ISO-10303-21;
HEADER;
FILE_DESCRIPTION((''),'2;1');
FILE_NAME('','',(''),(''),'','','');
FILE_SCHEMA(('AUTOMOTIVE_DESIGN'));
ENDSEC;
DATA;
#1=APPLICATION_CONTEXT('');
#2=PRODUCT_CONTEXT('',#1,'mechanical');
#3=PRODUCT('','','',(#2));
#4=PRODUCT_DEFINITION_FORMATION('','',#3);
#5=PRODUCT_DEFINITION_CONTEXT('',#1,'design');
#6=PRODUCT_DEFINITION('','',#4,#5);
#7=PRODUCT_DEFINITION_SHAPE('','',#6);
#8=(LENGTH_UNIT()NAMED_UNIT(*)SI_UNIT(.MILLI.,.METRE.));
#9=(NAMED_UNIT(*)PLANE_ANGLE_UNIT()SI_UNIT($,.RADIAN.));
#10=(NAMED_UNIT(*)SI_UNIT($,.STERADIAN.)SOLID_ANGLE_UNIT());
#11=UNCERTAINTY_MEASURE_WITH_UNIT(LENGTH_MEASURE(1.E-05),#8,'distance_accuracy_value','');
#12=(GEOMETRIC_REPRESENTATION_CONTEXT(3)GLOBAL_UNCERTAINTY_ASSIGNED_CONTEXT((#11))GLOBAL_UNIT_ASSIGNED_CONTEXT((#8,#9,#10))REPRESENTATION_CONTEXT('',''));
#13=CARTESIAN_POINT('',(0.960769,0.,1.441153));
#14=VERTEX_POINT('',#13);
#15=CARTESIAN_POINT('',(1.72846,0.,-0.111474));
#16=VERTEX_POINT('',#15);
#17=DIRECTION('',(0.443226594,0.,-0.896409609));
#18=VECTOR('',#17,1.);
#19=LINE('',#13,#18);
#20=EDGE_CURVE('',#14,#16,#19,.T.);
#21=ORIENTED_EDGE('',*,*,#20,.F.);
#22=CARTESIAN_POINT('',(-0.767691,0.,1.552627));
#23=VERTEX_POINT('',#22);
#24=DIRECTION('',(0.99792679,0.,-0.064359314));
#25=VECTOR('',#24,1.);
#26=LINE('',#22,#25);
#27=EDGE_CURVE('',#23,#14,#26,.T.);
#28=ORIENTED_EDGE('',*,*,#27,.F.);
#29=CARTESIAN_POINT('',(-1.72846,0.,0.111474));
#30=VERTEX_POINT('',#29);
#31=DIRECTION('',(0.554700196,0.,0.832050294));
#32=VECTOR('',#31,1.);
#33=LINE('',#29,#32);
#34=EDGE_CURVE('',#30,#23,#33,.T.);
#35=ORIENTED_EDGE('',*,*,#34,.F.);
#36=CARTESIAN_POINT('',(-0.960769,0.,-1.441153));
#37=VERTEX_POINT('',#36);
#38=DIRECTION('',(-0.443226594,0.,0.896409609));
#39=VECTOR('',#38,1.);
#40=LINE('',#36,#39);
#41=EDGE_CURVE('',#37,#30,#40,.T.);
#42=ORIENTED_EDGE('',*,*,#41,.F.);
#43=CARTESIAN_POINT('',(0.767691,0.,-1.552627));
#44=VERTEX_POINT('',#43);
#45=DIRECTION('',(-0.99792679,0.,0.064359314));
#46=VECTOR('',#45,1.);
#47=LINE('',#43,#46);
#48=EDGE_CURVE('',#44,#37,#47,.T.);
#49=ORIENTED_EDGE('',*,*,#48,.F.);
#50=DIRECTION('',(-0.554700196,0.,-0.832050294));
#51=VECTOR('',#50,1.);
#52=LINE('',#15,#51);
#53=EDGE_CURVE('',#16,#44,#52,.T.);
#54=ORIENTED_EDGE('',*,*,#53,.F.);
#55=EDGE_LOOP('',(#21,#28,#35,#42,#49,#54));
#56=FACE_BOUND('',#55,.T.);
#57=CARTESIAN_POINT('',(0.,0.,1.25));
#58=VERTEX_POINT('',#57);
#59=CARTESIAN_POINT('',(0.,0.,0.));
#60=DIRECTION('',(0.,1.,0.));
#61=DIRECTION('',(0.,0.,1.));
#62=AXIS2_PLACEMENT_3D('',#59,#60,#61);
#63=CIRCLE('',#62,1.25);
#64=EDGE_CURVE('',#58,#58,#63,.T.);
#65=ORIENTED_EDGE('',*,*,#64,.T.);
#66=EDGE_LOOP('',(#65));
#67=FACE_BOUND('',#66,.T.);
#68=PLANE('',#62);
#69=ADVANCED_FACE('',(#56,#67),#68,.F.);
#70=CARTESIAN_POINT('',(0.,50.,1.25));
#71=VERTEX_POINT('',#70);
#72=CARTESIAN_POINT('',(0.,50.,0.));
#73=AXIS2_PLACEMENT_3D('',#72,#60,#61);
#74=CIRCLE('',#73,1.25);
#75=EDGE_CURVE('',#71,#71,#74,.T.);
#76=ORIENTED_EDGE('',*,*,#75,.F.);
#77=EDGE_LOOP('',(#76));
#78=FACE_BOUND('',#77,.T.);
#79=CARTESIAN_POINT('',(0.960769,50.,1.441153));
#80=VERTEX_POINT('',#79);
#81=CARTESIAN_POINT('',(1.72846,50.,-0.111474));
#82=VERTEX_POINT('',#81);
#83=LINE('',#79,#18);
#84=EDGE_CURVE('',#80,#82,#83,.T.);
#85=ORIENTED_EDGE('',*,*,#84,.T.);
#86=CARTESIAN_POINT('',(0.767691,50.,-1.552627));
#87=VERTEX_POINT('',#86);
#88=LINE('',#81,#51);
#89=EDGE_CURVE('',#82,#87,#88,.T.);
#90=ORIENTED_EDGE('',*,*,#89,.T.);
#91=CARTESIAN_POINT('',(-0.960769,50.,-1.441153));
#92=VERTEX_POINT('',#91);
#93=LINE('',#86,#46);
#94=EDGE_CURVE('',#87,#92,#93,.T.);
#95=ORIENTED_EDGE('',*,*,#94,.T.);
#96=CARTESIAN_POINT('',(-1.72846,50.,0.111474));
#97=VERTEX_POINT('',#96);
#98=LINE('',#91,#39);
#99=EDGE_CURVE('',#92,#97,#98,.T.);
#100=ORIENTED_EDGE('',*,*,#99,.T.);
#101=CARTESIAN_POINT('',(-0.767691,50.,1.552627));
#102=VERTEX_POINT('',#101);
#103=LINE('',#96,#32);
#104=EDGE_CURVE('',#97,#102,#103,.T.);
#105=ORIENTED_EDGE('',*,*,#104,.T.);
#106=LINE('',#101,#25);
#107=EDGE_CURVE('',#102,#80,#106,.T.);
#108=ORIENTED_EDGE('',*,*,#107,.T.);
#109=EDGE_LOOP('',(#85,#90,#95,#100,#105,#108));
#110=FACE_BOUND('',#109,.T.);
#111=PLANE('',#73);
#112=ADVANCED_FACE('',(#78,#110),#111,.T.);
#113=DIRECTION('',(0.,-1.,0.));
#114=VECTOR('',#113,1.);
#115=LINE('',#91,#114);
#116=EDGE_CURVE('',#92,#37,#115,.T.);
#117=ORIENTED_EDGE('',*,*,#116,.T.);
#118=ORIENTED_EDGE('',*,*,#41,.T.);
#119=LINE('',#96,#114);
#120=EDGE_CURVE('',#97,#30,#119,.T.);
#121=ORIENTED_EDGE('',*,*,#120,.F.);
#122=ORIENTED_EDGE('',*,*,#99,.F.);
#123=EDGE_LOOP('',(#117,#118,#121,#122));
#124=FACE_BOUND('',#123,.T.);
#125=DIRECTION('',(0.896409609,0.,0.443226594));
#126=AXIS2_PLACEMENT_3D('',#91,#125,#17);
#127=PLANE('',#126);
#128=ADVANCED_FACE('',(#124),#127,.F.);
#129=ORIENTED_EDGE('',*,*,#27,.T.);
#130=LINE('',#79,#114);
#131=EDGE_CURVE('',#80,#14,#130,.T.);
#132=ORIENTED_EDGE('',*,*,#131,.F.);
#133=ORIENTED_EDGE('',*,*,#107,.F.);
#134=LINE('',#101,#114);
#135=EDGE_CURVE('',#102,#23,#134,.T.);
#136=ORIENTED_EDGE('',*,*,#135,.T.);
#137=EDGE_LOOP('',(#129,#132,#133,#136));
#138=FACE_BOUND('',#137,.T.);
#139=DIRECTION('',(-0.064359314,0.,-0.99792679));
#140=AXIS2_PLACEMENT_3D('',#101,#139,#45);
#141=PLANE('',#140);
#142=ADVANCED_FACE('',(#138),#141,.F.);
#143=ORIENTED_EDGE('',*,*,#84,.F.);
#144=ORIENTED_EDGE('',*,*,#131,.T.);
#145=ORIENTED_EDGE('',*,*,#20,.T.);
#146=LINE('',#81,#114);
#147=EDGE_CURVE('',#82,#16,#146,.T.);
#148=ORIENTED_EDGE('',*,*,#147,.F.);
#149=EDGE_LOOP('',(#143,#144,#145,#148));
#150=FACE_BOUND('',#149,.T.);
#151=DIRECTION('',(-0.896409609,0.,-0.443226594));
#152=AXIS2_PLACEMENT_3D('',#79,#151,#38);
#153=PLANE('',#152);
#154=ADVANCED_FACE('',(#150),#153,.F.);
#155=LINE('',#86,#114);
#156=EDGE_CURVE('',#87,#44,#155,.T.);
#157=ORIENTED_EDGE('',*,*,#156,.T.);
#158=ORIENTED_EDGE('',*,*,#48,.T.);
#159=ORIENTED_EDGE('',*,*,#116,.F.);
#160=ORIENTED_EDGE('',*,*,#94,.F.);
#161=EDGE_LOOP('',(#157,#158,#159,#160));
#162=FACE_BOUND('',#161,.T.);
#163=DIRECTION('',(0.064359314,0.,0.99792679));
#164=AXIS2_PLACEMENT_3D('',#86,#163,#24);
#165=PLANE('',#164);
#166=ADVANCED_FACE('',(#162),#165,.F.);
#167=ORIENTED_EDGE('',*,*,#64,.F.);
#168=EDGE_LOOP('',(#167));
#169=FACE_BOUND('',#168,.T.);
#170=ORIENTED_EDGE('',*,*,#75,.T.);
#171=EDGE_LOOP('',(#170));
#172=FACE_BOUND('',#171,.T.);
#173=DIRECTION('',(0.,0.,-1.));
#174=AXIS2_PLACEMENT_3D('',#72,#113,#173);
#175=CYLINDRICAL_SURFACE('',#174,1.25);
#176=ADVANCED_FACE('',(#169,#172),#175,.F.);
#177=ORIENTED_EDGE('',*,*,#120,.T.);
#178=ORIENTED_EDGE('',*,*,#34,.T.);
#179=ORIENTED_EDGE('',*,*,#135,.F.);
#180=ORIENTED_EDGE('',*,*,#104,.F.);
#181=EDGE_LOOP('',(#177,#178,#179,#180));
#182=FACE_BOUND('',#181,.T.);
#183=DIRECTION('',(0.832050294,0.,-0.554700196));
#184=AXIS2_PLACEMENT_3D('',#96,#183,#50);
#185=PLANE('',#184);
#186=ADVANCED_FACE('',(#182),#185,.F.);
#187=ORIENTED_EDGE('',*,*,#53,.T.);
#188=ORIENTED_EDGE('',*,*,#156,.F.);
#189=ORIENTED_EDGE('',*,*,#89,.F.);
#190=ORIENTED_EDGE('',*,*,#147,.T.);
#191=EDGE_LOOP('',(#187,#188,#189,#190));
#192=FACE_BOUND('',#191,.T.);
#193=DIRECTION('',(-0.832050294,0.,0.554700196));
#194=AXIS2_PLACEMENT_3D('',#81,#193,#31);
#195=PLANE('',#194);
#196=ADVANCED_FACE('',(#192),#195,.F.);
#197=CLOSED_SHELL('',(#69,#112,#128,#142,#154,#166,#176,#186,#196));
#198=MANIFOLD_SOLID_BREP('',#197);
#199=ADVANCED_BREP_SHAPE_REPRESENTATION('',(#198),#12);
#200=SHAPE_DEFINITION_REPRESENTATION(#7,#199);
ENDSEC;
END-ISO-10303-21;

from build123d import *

# Parameters (mm, degrees)
SKETCH_1_R      = 1.25
EXTRUDE_1_DEPTH = 50


with BuildPart() as part:
    # 草图1 → 凸台-拉伸1 (new body)
    with BuildSketch(Plane(origin=(0, 0, 0), x_dir=(1, 0, 0), z_dir=(0, 1, 0))):
        Polygon((0.960768923, -1.441153384), (1.728459903, 0.111473602), (0.76769098, 1.552626986), (-0.960768923, 1.441153384), (-1.728459903, -0.111473602), (-0.76769098, -1.552626986), align=None)
        with Locations(Location((0, 0, 0), (0, 0, 270))):
            Circle(SKETCH_1_R, mode=Mode.SUBTRACT)
    extrude(amount=EXTRUDE_1_DEPTH)


solid = part.part
